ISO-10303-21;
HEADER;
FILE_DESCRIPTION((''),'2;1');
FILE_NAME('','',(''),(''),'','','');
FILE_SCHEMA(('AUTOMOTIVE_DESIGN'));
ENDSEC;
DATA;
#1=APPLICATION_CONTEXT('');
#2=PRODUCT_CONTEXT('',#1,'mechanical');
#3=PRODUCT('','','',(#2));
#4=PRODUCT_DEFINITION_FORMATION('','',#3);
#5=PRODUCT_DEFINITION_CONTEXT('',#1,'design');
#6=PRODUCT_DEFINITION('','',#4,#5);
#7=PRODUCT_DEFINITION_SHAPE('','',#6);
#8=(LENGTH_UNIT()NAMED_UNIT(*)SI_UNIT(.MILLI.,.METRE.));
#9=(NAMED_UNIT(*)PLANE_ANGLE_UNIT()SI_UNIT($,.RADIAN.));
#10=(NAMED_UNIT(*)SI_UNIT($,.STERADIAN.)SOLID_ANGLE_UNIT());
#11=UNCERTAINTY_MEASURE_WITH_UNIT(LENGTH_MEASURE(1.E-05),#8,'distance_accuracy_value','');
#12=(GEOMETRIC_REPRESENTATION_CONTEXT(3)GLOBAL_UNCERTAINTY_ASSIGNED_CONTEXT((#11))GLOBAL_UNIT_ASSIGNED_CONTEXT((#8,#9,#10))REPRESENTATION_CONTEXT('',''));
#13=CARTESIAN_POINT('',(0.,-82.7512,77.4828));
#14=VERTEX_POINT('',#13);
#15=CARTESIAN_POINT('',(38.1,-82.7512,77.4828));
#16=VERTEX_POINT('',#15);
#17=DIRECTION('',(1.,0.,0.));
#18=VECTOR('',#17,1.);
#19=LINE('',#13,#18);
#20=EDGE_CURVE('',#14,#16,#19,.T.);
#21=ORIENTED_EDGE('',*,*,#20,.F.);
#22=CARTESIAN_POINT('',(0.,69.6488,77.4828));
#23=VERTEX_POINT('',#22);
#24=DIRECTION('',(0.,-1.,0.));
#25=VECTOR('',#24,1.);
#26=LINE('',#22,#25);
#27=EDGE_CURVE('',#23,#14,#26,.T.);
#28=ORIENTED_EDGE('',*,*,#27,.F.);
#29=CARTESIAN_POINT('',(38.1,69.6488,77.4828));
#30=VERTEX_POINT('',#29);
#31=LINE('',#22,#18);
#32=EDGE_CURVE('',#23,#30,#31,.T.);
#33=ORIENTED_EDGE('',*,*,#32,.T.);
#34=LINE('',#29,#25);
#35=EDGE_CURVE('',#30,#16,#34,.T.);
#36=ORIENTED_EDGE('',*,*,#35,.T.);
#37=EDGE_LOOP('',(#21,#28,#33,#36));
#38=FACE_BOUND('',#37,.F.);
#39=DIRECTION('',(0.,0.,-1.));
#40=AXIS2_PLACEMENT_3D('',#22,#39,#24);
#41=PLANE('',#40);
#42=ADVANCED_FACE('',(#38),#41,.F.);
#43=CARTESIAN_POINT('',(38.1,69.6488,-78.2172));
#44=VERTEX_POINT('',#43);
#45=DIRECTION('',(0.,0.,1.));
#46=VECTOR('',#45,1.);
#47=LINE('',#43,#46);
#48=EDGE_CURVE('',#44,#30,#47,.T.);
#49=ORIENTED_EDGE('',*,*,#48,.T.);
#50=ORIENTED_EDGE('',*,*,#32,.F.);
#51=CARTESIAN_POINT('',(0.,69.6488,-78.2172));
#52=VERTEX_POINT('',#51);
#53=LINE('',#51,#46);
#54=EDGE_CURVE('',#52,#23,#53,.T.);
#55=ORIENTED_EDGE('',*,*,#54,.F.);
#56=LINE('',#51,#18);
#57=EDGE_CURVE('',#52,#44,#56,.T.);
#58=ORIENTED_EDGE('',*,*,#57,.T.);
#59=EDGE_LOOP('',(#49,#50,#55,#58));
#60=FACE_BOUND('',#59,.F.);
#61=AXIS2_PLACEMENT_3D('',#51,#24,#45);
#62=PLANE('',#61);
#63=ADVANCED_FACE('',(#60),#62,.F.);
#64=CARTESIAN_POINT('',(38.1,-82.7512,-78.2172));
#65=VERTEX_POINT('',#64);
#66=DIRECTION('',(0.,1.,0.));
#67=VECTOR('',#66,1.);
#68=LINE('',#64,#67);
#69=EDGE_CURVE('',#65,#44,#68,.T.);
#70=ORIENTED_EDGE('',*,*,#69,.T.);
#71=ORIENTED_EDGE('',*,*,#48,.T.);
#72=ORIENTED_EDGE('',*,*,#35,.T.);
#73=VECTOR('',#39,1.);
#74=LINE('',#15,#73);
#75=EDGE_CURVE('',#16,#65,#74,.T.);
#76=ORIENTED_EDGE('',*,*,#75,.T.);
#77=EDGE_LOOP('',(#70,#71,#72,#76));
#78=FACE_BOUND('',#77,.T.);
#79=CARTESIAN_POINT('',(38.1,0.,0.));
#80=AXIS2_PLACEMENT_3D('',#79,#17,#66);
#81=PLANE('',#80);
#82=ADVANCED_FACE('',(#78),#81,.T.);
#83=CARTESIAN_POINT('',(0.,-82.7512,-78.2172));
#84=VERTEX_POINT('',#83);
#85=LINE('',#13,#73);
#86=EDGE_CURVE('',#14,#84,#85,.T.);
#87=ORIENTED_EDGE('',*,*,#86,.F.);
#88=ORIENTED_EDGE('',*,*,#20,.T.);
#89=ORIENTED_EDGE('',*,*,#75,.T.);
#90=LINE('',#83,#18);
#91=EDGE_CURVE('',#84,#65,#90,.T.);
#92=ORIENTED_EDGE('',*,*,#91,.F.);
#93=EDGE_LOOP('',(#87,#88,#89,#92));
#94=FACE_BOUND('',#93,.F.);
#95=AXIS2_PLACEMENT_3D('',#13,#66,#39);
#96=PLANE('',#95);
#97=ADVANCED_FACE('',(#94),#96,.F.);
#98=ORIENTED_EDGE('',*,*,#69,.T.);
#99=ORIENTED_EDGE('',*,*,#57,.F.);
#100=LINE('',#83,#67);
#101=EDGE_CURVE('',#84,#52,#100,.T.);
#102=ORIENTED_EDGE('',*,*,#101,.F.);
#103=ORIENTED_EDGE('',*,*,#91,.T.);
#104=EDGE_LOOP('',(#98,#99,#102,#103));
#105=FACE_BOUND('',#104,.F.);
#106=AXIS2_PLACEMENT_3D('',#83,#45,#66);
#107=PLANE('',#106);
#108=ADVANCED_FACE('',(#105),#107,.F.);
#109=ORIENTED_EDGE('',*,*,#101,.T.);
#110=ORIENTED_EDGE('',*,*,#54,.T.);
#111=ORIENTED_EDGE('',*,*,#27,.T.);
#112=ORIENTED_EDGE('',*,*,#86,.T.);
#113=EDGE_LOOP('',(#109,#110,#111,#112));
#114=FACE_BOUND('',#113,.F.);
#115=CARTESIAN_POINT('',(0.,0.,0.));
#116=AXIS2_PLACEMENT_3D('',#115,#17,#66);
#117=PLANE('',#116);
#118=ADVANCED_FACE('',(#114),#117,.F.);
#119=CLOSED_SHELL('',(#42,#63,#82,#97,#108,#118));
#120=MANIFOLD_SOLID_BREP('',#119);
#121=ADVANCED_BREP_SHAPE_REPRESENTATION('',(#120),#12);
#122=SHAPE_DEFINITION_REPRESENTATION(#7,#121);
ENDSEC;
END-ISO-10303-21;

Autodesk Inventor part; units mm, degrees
ref_plane "YZ Plane" through (0, 0, 0) normal (1, 0, 0) x (0, 1, 0)
ref_plane "XZ Plane" through (0, 0, 0) normal (0, 1, 0) x (-1, 0, 0)
ref_plane "XY Plane" through (0, 0, 0) normal (0, 0, 1) x (1, 0, 0)
sketch "Sketch1" plane through (0, 0, 0) normal (1, 0, 0) x (0, 1, 0)
  line L0 (69.6488, 77.4828) -> (-82.7512, 77.4828)
  line L1 (-82.7512, 77.4828) -> (-82.7512, -78.2172)
  line L2 (-82.7512, -78.2172) -> (69.6488, -78.2172)
  line L3 (69.6488, -78.2172) -> (69.6488, 77.4828)
  point P0 (0, 0)
  dimension "d0" = 155.7
  dimension "d1" = 152.4
extrude "Extrusion1" add sketch "Sketch1" along normal blind 38.1
properties part number "Metal_Bar2"
